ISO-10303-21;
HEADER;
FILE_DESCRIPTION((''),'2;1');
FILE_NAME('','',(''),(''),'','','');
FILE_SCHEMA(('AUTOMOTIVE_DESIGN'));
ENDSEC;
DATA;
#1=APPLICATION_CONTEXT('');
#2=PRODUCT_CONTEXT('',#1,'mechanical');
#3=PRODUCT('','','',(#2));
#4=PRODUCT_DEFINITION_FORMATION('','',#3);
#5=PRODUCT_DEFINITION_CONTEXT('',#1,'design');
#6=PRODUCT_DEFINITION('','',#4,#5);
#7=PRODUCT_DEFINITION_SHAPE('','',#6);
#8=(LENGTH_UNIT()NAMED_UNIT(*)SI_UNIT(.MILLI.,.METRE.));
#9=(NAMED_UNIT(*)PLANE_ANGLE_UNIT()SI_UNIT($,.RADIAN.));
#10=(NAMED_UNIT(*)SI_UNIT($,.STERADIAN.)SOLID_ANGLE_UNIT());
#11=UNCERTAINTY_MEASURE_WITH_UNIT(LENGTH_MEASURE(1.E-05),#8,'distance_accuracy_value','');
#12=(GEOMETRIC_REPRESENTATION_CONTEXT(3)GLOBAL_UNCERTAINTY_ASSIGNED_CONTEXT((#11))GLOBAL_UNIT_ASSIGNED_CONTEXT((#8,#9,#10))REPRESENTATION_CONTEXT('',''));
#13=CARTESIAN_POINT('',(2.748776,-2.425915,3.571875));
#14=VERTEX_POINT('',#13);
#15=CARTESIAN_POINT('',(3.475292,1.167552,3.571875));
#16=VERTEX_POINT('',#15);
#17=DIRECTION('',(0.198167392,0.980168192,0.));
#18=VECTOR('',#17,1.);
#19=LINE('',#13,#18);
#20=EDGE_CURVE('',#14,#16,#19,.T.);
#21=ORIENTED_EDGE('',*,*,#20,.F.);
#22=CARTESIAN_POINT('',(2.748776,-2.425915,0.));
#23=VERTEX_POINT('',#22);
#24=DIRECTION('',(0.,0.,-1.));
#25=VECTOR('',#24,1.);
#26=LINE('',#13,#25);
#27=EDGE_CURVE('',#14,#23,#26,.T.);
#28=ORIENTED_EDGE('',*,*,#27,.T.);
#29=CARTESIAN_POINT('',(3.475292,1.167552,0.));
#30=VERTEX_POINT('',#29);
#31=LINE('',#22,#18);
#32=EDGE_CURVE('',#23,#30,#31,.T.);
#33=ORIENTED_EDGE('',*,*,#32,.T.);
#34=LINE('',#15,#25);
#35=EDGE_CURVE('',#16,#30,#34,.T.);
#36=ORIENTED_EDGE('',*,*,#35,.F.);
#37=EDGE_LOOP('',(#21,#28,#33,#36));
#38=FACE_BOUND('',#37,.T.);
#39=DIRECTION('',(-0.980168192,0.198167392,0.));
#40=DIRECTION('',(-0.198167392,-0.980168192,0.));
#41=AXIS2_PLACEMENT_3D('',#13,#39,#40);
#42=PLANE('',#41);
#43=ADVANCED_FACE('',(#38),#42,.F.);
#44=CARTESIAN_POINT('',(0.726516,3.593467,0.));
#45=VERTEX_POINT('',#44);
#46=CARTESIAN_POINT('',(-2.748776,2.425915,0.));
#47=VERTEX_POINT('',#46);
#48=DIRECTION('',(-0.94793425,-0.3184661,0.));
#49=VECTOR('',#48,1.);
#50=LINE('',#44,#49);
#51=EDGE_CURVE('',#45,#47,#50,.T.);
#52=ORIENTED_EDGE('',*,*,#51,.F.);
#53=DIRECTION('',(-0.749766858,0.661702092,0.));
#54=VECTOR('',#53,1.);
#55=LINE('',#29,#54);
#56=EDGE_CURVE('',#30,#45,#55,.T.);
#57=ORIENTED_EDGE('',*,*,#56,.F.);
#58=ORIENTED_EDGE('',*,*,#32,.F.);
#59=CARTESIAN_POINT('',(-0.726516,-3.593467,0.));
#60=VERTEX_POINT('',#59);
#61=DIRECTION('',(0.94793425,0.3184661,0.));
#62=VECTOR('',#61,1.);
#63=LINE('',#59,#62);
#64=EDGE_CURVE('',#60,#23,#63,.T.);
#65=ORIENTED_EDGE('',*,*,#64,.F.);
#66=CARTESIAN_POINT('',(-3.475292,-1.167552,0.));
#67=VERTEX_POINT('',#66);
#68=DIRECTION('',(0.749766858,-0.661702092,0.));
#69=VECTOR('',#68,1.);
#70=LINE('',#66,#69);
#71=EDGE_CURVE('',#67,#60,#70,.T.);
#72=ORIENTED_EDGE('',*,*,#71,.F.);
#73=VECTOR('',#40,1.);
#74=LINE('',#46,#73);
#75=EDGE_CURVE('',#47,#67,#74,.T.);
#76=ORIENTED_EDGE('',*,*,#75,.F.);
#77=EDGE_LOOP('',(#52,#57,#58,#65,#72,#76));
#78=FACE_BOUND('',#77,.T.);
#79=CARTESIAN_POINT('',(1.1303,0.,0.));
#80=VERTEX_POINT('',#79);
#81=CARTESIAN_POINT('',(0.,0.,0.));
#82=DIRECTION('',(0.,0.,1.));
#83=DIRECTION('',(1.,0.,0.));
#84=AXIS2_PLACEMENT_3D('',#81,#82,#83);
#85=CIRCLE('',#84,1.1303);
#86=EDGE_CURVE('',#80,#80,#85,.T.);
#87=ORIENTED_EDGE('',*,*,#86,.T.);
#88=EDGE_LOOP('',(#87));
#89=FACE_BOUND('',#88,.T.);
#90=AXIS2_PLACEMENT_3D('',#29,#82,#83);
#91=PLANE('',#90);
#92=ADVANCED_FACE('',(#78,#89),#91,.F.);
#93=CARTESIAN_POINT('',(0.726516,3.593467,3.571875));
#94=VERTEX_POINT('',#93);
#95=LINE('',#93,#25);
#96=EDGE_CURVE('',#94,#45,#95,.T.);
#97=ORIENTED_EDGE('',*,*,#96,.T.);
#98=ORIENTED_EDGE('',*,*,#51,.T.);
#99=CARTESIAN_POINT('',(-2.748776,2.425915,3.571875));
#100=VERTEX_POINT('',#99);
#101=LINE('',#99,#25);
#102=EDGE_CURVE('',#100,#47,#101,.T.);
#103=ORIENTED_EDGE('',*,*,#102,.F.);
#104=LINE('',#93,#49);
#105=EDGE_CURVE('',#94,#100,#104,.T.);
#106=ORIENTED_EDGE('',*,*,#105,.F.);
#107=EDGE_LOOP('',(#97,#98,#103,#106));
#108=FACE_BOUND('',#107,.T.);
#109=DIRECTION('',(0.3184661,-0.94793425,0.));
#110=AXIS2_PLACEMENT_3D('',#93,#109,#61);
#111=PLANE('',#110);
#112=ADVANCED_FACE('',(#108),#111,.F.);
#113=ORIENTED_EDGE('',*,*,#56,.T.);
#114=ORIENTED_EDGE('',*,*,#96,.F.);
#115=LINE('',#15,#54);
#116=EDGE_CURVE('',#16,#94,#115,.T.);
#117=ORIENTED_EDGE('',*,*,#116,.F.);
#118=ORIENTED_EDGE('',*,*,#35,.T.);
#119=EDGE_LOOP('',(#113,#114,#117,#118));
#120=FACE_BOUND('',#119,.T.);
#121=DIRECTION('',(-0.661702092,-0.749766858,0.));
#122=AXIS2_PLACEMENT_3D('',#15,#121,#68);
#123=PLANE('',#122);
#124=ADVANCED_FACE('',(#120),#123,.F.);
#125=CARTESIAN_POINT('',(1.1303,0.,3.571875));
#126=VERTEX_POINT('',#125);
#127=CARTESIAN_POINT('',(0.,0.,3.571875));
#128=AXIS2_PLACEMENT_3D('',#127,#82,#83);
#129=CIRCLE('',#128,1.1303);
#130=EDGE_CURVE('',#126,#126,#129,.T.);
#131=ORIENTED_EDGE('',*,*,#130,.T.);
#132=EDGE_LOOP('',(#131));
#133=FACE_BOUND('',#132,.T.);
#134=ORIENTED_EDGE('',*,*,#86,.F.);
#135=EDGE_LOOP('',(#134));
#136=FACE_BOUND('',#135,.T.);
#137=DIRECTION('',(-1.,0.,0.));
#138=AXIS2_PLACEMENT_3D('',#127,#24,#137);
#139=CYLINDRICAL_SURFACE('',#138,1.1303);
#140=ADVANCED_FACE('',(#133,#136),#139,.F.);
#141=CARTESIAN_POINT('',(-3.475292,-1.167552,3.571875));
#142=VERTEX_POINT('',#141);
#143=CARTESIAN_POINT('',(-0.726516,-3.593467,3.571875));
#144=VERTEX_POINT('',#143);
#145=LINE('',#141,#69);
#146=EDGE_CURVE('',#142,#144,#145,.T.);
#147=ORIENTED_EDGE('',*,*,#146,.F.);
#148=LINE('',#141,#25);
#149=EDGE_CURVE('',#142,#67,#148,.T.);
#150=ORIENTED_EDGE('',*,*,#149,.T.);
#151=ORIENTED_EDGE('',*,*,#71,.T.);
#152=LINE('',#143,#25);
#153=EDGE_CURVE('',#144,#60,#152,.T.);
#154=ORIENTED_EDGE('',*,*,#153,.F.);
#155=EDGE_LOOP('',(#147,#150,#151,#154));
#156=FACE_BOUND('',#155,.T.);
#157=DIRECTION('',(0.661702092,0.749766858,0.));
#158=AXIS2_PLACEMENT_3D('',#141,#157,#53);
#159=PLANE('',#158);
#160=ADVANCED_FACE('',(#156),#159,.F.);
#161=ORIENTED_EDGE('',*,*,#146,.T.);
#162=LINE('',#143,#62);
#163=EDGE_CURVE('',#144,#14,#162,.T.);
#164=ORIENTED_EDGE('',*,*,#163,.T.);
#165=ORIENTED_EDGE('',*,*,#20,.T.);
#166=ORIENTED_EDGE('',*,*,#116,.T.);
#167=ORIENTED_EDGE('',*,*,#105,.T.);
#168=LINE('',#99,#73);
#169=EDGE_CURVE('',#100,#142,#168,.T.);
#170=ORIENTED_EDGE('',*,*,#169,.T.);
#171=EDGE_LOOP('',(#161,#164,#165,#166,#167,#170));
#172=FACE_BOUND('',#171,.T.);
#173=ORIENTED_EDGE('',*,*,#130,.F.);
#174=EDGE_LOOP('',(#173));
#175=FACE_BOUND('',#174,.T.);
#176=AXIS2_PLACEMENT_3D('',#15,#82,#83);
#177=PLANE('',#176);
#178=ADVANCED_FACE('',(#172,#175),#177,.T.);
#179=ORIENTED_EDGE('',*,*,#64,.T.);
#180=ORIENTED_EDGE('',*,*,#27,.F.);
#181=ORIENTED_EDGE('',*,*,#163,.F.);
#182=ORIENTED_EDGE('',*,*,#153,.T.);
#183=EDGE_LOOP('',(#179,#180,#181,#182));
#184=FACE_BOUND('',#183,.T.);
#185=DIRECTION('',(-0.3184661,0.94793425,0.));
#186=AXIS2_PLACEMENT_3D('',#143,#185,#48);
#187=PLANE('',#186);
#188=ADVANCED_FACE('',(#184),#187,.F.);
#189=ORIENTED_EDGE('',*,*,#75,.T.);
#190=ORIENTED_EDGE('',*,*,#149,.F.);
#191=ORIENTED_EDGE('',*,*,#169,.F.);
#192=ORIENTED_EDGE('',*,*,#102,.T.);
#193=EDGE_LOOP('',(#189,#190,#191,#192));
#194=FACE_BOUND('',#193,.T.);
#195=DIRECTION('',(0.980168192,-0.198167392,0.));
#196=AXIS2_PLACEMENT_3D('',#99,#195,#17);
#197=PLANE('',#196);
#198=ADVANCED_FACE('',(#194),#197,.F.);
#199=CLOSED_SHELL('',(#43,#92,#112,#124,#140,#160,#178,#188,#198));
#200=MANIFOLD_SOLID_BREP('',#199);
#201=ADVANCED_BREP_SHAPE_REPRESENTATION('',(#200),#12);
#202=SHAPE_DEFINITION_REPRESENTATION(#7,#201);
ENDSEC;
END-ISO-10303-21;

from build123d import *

# Parameters (mm, degrees)
SKETCH1_R      = 1.1303
EXTRUDE1_DEPTH = 3.571875


with BuildPart() as part:
    # Sketch1 → Extrude1 (new body)
    with BuildSketch(Plane.XY):
        Polygon((3.475292101, 1.167552202), (0.726516183, 3.593467346), (-2.748775918, 2.425915144), (-3.475292101, -1.167552202), (-0.726516183, -3.593467346), (2.748775918, -2.425915144), align=None)
        Circle(SKETCH1_R, mode=Mode.SUBTRACT)
    extrude(amount=EXTRUDE1_DEPTH)


solid = part.part
